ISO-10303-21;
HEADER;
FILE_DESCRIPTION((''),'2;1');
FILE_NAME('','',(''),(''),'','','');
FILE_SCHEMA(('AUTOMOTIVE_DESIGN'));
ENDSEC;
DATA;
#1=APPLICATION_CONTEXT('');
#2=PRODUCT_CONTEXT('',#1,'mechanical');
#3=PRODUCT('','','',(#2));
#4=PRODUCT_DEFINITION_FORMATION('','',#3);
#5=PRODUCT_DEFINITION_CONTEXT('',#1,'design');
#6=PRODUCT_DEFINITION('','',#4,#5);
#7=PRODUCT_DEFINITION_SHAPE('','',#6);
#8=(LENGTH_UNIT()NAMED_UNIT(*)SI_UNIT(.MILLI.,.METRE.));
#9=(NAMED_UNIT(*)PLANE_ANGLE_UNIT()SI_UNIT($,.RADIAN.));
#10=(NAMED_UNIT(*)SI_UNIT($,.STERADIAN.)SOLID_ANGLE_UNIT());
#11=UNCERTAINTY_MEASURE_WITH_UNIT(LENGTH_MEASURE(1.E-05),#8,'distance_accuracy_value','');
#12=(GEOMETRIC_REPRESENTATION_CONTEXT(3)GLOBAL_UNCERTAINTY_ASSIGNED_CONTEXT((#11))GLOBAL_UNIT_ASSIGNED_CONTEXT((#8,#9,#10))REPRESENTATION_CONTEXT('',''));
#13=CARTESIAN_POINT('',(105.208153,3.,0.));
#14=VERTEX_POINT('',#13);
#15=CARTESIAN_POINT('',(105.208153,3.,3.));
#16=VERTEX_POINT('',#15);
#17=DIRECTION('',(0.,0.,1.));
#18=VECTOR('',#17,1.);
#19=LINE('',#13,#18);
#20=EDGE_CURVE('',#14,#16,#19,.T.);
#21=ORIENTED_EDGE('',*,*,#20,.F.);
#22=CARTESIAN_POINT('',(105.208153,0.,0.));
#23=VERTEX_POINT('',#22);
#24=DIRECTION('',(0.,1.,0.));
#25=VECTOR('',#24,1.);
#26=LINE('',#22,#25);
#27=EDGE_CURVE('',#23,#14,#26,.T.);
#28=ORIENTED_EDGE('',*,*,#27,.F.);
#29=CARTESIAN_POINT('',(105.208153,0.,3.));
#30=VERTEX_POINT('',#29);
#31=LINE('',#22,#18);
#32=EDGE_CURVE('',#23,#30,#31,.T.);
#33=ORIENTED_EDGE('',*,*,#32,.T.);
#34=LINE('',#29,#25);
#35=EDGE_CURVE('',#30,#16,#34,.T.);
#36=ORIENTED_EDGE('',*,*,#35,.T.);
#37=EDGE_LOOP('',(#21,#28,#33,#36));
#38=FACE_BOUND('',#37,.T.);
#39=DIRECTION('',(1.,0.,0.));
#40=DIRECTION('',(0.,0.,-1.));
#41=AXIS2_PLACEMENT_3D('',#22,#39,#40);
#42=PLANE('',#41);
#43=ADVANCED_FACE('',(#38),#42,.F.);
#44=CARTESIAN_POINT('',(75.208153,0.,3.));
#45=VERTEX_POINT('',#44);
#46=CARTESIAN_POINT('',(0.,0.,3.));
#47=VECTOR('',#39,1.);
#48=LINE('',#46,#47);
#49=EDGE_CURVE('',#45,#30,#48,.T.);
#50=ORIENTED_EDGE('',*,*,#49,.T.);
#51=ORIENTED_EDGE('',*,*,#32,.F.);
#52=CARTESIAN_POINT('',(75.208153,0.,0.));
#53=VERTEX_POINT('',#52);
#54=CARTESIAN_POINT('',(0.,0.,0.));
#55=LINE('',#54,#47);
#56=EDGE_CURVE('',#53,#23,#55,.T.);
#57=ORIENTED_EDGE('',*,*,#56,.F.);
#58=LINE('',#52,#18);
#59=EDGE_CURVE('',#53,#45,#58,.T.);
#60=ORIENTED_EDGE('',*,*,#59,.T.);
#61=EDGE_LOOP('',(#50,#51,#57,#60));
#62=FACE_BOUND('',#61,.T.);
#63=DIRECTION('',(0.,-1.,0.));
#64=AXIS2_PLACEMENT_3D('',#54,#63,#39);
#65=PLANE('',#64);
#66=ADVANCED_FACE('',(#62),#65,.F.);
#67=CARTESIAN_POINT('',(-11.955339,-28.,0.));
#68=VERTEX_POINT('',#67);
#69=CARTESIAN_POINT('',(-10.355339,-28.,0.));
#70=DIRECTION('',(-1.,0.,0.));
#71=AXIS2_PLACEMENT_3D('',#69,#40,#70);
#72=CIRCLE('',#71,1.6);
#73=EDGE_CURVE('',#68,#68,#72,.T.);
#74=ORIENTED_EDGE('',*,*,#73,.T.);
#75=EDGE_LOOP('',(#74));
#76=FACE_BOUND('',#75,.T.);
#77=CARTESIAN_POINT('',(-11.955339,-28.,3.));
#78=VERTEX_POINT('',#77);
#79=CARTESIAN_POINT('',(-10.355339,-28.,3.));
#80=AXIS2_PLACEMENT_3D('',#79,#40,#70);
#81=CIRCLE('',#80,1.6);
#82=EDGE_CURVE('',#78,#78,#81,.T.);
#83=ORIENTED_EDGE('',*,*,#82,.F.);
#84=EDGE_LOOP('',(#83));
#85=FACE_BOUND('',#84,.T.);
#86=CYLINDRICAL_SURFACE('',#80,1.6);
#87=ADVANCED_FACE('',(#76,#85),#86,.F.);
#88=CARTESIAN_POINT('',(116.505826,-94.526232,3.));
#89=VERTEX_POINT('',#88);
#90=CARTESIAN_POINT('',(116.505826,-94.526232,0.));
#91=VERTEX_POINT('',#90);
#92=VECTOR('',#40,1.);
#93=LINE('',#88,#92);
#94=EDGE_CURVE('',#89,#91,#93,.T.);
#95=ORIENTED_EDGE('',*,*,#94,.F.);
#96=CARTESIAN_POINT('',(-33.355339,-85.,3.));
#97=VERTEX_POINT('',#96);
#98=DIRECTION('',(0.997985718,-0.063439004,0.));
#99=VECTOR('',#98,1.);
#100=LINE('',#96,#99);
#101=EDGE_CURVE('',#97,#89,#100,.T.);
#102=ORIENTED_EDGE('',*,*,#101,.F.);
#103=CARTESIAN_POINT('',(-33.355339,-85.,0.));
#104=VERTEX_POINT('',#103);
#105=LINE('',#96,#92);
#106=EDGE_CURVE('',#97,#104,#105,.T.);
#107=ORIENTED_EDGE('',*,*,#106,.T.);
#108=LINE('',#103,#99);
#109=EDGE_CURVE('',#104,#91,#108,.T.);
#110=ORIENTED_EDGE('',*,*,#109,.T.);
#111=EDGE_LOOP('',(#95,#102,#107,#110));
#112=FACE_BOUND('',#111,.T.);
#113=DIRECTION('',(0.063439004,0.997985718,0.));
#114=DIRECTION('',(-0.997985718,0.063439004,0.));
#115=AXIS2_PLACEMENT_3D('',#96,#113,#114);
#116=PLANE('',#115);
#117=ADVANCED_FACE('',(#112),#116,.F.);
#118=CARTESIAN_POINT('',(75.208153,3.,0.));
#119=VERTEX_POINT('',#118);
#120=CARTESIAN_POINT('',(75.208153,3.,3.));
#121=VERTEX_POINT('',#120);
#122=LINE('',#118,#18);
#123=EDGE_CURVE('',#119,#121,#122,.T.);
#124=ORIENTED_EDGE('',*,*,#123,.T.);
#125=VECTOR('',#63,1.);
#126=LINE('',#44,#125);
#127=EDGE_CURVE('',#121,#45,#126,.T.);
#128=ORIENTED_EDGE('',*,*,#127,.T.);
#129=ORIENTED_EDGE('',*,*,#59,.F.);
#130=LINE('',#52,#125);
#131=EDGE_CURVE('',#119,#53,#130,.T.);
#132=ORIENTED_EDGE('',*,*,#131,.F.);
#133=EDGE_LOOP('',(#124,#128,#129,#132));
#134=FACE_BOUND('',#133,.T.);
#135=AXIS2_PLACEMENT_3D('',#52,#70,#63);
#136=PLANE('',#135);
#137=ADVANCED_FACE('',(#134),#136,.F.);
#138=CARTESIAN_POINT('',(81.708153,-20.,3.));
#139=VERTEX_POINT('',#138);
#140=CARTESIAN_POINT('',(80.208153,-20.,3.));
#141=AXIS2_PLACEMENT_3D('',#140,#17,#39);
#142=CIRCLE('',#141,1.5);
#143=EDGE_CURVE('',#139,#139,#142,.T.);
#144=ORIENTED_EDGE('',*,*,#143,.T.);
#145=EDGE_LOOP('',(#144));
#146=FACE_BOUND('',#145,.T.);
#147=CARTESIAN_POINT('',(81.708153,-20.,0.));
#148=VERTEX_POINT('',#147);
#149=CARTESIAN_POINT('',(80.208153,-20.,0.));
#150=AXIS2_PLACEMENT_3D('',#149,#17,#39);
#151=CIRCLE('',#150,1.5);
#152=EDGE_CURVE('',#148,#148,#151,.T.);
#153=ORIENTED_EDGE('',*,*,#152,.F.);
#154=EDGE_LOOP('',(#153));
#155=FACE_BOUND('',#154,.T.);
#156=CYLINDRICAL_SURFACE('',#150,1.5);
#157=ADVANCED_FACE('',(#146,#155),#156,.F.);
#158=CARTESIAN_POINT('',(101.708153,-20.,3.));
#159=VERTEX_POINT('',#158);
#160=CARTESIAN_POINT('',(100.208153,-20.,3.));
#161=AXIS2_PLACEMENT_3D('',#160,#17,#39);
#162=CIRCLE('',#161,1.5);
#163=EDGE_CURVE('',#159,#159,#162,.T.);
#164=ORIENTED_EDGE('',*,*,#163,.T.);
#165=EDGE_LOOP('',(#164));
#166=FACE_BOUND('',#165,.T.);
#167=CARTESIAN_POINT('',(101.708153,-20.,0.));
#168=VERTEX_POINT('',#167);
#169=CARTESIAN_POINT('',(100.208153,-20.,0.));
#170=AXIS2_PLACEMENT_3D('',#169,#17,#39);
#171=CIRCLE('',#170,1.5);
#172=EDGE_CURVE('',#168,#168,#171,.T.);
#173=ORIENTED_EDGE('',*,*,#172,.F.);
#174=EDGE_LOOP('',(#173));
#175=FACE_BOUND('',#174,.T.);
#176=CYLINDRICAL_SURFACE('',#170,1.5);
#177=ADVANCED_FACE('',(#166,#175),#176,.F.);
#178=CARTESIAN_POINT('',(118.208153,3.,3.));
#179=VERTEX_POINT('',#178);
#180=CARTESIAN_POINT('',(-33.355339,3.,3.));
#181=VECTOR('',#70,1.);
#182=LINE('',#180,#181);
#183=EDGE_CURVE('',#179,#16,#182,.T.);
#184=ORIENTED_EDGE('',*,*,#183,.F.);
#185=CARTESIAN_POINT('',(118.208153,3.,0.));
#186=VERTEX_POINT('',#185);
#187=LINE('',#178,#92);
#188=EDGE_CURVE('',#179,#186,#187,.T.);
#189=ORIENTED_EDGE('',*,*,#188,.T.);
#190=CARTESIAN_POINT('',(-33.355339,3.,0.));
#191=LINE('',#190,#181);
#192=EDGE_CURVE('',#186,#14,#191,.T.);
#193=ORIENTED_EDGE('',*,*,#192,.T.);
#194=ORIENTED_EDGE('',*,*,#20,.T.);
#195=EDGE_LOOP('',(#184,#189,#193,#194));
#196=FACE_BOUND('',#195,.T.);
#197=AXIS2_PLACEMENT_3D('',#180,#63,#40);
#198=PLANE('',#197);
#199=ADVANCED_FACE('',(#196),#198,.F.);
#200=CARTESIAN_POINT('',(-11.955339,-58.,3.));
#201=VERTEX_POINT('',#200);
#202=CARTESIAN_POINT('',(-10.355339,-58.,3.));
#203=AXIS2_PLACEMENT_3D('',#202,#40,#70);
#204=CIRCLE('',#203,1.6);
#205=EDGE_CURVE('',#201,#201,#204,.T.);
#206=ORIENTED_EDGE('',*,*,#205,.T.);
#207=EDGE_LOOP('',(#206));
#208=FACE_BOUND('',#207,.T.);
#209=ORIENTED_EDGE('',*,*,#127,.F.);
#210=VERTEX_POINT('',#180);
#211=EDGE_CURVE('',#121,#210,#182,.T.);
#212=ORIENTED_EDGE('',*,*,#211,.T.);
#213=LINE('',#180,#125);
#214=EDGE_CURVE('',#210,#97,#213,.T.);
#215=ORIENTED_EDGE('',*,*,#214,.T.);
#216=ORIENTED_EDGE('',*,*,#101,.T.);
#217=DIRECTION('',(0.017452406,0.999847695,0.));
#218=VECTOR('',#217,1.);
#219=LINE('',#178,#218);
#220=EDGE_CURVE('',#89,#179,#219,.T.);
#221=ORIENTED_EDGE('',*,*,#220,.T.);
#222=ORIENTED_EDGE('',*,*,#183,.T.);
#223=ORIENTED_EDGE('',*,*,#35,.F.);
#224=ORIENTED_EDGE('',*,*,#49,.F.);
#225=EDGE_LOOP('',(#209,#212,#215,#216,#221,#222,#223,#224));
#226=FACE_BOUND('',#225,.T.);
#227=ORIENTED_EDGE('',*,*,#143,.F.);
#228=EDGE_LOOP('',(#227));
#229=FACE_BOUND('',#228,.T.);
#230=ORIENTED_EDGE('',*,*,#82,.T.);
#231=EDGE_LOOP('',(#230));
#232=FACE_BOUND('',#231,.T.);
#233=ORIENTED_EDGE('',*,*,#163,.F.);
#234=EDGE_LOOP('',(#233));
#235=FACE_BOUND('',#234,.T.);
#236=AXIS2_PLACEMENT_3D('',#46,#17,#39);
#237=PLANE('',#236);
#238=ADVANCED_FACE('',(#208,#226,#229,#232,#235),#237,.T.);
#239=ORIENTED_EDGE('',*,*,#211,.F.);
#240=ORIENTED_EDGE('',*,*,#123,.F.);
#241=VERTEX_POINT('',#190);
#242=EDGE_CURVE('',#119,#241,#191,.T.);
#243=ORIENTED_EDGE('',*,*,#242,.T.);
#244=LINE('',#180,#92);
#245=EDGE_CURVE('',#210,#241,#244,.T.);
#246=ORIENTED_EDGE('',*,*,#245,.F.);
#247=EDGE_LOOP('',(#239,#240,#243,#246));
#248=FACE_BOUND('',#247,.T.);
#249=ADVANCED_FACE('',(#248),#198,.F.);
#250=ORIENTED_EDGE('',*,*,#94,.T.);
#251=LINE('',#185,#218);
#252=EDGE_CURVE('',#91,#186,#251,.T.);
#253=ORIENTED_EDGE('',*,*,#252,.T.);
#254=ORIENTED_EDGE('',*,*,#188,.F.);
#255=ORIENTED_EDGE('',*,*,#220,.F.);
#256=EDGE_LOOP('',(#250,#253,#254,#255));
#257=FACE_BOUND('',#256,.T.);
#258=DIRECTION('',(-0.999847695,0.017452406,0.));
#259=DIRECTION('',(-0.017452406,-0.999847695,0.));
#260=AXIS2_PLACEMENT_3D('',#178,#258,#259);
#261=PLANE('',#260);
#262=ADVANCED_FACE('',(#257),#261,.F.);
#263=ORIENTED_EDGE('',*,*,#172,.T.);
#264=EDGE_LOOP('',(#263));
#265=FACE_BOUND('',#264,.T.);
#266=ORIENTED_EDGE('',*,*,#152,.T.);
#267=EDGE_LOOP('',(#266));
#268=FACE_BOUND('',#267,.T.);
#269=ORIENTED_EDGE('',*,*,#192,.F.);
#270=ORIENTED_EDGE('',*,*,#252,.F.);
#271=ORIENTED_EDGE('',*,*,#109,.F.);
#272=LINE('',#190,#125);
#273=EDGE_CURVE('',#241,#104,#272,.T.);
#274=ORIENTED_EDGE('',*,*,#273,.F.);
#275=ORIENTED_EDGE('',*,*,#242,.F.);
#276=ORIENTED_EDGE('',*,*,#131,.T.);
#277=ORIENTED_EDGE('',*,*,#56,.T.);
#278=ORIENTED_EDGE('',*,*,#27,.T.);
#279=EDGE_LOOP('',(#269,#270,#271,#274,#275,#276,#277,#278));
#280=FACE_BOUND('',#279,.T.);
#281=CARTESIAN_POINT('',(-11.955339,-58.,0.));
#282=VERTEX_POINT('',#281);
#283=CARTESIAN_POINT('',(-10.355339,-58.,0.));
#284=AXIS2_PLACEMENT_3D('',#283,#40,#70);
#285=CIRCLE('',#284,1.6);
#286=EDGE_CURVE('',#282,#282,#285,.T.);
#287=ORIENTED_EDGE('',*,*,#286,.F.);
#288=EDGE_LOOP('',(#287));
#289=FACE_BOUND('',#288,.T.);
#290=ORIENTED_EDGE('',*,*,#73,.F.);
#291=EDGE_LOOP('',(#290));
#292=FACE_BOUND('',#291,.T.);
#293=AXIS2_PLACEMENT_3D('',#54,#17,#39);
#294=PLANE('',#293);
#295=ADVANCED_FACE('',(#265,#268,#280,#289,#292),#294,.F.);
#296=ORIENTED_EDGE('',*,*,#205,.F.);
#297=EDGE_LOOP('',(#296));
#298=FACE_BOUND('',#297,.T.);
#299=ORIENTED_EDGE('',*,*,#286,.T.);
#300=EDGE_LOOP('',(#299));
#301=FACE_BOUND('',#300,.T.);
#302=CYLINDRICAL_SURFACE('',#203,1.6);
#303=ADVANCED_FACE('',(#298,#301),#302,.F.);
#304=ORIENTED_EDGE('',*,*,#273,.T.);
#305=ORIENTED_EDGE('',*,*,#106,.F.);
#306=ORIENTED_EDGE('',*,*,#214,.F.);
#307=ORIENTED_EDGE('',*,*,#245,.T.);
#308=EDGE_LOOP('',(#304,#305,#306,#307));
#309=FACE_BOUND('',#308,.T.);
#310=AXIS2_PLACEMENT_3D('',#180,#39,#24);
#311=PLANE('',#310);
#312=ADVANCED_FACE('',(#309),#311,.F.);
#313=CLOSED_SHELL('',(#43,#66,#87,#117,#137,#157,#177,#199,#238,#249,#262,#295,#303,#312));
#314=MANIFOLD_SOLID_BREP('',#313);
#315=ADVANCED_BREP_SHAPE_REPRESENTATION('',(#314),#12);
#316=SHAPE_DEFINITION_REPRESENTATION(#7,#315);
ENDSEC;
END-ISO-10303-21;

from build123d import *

# Parameters (mm, degrees)
BOSS_EXTRUDE1_DEPTH = 3
SKETCH2_W           = 30
SKETCH2_H           = 3
SKETCH2_R           = 1.5
CUT_EXTRUDE1_DEPTH  = 3
SKETCH3_R           = 1.6
CUT_EXTRUDE2_DEPTH  = 3


with BuildPart() as part:
    # Sketch1 → Boss-Extrude1 (new body)
    with BuildSketch(Plane.XY):
        Polygon((-33.355339059, 3), (118.208152802, 3), (116.505826096, -94.526231635), (-33.355339059, -85), align=None)
    extrude(amount=BOSS_EXTRUDE1_DEPTH)

    # Sketch2 → Cut-Extrude1 (cut)
    with BuildSketch(Plane.XY.offset(3)):
        with Locations((90.208152802, 1.5)):
            Rectangle(SKETCH2_W, SKETCH2_H)
        with Locations((80.208152802, -20)):
            Circle(SKETCH2_R)
        with Locations((100.208152802, -20)):
            Circle(SKETCH2_R)
    extrude(amount=-CUT_EXTRUDE1_DEPTH, mode=Mode.SUBTRACT)

    # Sketch3 → Cut-Extrude2 (cut)
    with BuildSketch(Plane(origin=(0, 0, 0), x_dir=(-1, 0, 0), z_dir=(0, 0, -1))):
        with Locations((10.355339059, -28)):
            Circle(SKETCH3_R)
        with Locations((10.355339059, -58)):
            Circle(SKETCH3_R)
    extrude(amount=-CUT_EXTRUDE2_DEPTH, mode=Mode.SUBTRACT)


solid = part.part
